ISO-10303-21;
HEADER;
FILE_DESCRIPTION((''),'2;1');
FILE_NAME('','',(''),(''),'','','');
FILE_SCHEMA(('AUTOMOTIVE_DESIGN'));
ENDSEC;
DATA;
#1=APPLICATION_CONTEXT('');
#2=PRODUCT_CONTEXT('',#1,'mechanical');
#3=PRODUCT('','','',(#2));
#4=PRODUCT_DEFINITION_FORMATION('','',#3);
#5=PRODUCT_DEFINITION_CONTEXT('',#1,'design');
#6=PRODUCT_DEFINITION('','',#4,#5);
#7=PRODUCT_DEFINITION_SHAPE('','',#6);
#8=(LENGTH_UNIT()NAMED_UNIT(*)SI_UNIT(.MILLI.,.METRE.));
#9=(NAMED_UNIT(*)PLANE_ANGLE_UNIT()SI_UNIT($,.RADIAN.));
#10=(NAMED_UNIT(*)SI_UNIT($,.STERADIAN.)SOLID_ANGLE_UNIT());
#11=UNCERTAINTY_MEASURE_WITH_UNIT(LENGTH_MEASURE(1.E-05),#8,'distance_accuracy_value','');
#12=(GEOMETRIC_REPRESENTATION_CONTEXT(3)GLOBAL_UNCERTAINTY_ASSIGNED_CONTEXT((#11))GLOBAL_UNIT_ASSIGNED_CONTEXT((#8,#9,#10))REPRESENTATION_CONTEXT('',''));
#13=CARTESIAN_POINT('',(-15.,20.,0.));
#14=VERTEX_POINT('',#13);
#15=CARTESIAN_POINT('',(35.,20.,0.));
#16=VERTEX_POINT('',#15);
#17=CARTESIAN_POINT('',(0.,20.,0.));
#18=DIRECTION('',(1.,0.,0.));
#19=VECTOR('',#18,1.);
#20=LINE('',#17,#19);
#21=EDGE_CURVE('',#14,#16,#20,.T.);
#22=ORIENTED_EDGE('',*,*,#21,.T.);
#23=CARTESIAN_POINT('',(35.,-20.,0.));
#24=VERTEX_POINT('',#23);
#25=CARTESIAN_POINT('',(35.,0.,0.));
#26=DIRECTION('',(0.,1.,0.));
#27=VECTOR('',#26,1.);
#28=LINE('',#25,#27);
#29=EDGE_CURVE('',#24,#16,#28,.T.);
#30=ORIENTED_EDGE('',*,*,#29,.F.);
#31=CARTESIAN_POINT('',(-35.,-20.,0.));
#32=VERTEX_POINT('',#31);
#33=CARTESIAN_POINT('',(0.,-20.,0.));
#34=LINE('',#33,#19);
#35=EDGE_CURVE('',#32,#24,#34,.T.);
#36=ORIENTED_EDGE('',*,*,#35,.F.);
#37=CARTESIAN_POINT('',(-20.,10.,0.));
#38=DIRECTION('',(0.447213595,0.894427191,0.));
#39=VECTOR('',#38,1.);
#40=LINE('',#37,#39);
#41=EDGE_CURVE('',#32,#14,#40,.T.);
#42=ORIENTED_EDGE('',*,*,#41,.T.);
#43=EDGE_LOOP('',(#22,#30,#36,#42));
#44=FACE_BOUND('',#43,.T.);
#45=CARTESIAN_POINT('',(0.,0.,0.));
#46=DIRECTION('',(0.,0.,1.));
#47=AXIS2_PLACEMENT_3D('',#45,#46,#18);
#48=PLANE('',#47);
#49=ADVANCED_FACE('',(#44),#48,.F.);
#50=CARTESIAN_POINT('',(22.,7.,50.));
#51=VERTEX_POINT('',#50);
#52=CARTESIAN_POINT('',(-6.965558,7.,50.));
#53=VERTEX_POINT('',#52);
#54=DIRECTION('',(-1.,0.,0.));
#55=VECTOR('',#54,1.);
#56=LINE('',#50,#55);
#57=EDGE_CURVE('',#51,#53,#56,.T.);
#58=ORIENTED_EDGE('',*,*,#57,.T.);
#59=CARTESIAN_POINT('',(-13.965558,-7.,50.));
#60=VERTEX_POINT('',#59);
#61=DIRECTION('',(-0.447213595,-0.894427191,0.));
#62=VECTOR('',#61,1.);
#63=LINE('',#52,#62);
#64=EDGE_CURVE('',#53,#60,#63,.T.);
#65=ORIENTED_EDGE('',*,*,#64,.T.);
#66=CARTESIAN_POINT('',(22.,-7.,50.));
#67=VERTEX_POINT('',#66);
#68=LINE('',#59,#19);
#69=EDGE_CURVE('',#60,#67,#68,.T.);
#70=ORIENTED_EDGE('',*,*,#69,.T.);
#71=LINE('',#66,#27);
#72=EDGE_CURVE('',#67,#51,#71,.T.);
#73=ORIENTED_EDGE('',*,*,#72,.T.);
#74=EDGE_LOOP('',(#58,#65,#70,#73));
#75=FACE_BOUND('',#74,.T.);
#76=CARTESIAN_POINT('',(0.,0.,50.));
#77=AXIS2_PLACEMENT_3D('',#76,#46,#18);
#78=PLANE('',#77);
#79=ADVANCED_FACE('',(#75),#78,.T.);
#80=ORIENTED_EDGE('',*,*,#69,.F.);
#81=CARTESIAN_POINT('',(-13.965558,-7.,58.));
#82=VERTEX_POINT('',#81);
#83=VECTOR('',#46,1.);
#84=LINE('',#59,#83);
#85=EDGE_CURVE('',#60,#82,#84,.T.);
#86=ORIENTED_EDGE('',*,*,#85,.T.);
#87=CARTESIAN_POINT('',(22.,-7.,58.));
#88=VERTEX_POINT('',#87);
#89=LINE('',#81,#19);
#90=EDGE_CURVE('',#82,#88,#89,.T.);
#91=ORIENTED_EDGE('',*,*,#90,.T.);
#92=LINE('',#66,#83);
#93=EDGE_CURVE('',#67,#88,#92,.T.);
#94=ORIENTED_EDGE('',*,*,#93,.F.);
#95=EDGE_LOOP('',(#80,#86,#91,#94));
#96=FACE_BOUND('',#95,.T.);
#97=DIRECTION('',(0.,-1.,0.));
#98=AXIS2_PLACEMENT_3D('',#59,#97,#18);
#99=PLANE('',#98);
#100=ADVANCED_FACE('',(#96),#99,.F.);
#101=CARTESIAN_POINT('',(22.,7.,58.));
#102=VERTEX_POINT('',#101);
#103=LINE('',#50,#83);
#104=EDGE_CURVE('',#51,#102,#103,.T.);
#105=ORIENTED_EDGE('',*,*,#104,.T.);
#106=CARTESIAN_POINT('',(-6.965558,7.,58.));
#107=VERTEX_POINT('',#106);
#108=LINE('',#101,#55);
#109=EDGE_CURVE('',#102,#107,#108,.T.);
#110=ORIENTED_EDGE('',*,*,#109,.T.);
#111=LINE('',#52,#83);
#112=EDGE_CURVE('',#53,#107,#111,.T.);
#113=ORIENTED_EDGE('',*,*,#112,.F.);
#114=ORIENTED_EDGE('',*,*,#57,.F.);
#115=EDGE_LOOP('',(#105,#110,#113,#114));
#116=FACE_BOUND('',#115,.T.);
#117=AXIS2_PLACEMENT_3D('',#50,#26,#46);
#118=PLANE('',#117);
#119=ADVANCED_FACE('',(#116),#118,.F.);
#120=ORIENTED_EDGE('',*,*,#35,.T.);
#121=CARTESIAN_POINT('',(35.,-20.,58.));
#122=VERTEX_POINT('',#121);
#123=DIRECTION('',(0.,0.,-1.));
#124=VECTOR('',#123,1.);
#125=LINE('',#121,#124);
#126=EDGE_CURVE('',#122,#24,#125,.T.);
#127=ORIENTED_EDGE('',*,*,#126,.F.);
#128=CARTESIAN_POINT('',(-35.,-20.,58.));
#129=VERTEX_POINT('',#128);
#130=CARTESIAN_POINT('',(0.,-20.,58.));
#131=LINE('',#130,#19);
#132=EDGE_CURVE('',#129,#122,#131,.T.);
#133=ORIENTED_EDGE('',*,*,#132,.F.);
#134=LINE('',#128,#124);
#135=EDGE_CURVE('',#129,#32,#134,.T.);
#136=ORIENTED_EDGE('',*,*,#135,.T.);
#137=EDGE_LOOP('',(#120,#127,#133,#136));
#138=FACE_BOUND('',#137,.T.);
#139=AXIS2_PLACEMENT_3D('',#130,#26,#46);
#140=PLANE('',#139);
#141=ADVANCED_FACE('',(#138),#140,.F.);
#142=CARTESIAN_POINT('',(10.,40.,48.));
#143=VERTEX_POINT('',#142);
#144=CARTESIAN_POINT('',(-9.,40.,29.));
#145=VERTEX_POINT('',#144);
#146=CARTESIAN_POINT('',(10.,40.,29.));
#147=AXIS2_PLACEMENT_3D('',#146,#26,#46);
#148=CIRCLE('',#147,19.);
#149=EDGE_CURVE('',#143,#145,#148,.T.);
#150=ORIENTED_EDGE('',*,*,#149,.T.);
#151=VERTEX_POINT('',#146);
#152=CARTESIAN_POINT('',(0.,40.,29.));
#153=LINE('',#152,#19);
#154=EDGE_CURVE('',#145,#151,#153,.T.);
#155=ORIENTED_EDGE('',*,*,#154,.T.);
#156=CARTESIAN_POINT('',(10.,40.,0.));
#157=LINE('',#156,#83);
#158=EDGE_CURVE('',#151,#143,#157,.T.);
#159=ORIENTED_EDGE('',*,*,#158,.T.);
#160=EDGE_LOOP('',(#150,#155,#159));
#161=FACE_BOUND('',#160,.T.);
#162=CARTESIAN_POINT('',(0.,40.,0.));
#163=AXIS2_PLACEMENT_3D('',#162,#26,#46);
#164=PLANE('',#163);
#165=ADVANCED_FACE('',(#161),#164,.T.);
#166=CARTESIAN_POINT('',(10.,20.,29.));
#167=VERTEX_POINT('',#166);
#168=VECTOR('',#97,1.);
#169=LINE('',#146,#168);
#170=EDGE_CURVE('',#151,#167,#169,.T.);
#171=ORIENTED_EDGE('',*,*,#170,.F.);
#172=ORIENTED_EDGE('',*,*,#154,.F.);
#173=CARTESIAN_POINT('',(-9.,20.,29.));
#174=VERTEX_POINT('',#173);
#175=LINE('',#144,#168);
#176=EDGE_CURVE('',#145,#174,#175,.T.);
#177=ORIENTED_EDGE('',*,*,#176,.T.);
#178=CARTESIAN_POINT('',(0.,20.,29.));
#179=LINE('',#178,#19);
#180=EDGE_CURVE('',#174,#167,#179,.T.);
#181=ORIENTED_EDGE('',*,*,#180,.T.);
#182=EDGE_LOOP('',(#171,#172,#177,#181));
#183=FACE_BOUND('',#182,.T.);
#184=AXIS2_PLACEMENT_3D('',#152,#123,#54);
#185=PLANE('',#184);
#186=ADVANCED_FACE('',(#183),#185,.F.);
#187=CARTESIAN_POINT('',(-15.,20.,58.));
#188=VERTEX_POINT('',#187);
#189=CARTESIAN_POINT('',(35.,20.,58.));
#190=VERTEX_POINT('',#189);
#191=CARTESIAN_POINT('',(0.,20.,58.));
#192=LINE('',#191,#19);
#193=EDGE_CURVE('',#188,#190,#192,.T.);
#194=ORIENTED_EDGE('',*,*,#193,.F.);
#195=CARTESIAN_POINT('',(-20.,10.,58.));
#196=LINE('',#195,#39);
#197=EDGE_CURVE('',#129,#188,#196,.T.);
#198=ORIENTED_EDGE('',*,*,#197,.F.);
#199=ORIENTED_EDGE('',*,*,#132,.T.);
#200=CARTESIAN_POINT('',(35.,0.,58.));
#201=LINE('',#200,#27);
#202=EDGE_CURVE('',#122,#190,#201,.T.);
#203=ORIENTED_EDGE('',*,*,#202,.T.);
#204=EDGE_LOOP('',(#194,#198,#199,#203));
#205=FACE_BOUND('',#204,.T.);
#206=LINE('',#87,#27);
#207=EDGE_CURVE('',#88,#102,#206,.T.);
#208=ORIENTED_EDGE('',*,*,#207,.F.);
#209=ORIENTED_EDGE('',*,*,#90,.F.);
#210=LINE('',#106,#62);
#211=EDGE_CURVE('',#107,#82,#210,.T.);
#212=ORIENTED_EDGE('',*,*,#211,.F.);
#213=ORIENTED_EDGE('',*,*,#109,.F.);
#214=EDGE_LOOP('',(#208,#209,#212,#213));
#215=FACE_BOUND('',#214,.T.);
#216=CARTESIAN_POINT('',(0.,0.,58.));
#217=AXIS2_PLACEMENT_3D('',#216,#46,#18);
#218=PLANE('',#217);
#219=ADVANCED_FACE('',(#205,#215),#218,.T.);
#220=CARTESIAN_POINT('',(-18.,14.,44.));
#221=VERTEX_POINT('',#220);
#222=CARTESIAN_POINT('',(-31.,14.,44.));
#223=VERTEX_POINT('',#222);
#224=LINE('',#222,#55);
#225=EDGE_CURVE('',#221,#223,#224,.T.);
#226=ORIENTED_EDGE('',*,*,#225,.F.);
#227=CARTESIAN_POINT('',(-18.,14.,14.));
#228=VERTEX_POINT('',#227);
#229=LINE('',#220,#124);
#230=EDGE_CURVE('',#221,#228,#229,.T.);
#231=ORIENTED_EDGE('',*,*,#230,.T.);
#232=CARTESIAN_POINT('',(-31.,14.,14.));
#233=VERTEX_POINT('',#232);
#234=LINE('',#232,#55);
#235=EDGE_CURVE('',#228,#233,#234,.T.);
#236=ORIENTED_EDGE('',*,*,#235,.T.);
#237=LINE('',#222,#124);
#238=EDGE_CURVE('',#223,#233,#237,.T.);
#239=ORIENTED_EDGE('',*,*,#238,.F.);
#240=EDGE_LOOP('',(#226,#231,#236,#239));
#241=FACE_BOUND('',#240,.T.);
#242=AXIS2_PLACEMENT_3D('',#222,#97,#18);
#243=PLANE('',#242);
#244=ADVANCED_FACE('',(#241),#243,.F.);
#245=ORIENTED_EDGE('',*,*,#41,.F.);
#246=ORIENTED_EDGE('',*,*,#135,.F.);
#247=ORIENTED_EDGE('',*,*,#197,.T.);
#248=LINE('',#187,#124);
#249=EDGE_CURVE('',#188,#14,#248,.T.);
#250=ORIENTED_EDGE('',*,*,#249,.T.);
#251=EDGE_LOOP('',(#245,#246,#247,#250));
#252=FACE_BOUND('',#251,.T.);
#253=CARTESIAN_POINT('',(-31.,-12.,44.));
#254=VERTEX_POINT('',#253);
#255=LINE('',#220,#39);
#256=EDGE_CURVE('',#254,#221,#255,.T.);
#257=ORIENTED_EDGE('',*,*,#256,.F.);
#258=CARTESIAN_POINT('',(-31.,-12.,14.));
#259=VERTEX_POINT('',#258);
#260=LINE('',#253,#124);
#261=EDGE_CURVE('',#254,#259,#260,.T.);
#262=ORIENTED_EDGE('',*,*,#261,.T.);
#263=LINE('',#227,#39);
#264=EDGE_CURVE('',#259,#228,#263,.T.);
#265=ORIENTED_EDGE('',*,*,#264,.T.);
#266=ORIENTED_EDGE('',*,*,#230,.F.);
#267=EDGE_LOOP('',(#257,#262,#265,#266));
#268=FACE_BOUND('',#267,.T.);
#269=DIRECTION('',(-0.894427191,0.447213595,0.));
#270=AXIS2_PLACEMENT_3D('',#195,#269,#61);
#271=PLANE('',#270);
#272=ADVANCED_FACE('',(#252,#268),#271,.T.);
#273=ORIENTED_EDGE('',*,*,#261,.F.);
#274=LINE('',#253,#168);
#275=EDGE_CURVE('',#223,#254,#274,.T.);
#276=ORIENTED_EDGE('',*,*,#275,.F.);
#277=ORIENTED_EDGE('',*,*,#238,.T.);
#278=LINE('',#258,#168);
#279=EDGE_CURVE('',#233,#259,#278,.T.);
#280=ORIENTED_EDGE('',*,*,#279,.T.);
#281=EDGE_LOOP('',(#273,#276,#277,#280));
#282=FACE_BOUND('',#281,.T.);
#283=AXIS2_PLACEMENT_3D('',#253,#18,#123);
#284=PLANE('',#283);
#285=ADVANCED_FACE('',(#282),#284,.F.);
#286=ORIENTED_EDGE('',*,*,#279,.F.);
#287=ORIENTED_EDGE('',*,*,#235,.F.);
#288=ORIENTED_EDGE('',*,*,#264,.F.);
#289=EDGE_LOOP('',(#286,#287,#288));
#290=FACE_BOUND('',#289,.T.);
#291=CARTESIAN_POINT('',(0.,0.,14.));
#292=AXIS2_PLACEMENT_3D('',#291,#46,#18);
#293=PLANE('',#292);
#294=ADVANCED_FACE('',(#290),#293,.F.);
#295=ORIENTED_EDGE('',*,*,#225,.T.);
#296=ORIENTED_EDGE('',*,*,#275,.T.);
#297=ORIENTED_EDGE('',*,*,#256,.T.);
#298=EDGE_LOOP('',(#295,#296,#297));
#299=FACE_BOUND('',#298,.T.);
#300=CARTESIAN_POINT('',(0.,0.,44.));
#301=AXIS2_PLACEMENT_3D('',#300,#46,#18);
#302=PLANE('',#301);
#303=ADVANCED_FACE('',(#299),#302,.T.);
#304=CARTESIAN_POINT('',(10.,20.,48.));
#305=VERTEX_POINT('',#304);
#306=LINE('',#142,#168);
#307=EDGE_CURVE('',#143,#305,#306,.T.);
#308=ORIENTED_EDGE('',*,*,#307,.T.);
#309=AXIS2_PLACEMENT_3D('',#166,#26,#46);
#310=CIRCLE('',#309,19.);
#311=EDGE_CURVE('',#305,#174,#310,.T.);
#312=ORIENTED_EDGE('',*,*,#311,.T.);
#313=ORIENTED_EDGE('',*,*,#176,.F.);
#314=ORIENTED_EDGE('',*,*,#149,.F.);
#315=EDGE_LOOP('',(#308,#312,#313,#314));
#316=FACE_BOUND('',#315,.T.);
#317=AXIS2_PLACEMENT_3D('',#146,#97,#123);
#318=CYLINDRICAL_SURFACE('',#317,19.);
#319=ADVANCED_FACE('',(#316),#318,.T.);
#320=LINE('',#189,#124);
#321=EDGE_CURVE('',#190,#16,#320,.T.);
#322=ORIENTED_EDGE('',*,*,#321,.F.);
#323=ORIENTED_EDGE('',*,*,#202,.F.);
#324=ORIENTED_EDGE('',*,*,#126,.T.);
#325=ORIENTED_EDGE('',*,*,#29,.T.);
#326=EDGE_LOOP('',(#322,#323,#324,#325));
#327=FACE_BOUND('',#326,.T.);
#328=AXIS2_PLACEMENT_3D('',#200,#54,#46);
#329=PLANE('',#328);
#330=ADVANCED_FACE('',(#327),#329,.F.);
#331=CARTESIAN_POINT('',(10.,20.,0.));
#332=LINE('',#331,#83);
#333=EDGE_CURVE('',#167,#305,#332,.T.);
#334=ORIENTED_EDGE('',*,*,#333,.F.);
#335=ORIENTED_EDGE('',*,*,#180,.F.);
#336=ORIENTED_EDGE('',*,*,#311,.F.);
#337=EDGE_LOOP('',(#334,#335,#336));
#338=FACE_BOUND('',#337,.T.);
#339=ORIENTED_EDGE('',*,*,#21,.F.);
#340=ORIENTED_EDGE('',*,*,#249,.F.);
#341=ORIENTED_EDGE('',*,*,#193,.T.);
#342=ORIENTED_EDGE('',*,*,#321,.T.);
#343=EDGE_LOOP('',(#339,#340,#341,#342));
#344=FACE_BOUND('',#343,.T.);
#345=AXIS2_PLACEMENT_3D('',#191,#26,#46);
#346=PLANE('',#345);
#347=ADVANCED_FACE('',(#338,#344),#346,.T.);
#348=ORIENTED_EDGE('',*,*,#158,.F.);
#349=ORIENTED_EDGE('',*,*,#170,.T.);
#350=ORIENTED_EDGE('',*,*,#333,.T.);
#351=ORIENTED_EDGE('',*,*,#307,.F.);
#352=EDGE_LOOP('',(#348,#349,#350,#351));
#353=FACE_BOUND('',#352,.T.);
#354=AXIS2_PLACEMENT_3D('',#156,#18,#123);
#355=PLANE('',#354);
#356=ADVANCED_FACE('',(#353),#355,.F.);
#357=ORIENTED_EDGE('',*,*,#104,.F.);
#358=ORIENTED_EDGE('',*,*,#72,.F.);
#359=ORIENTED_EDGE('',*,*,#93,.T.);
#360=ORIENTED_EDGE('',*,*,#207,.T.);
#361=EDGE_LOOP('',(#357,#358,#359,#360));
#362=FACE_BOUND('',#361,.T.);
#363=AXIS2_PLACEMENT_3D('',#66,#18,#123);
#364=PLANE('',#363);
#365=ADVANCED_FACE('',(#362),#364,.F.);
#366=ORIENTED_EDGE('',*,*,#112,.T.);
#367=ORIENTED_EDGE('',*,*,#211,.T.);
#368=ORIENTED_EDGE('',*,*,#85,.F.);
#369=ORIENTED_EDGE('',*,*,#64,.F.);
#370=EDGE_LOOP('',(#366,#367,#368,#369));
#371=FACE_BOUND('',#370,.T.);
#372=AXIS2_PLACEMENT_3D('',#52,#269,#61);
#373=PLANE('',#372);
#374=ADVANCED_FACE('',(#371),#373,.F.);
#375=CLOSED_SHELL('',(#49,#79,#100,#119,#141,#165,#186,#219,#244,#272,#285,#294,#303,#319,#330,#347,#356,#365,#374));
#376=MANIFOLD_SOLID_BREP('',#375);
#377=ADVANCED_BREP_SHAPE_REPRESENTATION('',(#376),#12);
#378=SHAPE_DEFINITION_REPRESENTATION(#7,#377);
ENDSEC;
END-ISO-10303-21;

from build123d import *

# Parameters (mm, degrees)
EXTRUDE_1_DEPTH      = 58
EXTRUDE_2_DEPTH      = 20
CUT_EXTRUDE_1_DEPTH  = 8
EXTRUDE_3_DEPTH      = 15
EXTRUDE_3_DEPTH_BACK = 15


with BuildPart() as part:
    # Эскиз1 → Бобышка-Вытянуть1 (new body)
    with BuildSketch(Plane.XY):
        Polygon((-15, 20), (-35, -20), (35, -20), (35, 20), align=None)
    extrude(amount=EXTRUDE_1_DEPTH)

    # Эскиз2 → Бобышка-Вытянуть2 (add)
    with BuildSketch(Plane(origin=(0, 20, 0), x_dir=(1, 0, 0), z_dir=(0, 1, 0))):
        with BuildLine():
            Line((29, -29), (10, -29))
            Line((10, -29), (10, -48))
            ThreePointArc((10, -48), (23.435028843, -42.435028843), (29, -29))
        make_face()
        with BuildLine():
            ThreePointArc((29, -29), (10, -10), (-9, -29))
            Line((-9, -29), (10, -29))
            Line((10, -29), (29, -29))
        make_face()
    extrude(amount=EXTRUDE_2_DEPTH)

    # Эскиз3 → Вырез-Вытянуть1 (cut)
    with BuildSketch(Plane.XY.offset(58)):
        Polygon((22, -7), (22, 7), (-6.965558146, 7), (-13.965558146, -7), align=None)
    extrude(amount=-CUT_EXTRUDE_1_DEPTH, mode=Mode.SUBTRACT)

    # Эскиз4 → Бобышка-Вытянуть3 (add, two sides: drawn at the far end of the back side and taken through both)
    with BuildSketch(Plane.XY.offset(29).offset(-EXTRUDE_3_DEPTH_BACK)):
        Polygon((-31, -12), (-31, 14), (-18, 14), align=None)
    extrude(amount=EXTRUDE_3_DEPTH + EXTRUDE_3_DEPTH_BACK)


solid = part.part
